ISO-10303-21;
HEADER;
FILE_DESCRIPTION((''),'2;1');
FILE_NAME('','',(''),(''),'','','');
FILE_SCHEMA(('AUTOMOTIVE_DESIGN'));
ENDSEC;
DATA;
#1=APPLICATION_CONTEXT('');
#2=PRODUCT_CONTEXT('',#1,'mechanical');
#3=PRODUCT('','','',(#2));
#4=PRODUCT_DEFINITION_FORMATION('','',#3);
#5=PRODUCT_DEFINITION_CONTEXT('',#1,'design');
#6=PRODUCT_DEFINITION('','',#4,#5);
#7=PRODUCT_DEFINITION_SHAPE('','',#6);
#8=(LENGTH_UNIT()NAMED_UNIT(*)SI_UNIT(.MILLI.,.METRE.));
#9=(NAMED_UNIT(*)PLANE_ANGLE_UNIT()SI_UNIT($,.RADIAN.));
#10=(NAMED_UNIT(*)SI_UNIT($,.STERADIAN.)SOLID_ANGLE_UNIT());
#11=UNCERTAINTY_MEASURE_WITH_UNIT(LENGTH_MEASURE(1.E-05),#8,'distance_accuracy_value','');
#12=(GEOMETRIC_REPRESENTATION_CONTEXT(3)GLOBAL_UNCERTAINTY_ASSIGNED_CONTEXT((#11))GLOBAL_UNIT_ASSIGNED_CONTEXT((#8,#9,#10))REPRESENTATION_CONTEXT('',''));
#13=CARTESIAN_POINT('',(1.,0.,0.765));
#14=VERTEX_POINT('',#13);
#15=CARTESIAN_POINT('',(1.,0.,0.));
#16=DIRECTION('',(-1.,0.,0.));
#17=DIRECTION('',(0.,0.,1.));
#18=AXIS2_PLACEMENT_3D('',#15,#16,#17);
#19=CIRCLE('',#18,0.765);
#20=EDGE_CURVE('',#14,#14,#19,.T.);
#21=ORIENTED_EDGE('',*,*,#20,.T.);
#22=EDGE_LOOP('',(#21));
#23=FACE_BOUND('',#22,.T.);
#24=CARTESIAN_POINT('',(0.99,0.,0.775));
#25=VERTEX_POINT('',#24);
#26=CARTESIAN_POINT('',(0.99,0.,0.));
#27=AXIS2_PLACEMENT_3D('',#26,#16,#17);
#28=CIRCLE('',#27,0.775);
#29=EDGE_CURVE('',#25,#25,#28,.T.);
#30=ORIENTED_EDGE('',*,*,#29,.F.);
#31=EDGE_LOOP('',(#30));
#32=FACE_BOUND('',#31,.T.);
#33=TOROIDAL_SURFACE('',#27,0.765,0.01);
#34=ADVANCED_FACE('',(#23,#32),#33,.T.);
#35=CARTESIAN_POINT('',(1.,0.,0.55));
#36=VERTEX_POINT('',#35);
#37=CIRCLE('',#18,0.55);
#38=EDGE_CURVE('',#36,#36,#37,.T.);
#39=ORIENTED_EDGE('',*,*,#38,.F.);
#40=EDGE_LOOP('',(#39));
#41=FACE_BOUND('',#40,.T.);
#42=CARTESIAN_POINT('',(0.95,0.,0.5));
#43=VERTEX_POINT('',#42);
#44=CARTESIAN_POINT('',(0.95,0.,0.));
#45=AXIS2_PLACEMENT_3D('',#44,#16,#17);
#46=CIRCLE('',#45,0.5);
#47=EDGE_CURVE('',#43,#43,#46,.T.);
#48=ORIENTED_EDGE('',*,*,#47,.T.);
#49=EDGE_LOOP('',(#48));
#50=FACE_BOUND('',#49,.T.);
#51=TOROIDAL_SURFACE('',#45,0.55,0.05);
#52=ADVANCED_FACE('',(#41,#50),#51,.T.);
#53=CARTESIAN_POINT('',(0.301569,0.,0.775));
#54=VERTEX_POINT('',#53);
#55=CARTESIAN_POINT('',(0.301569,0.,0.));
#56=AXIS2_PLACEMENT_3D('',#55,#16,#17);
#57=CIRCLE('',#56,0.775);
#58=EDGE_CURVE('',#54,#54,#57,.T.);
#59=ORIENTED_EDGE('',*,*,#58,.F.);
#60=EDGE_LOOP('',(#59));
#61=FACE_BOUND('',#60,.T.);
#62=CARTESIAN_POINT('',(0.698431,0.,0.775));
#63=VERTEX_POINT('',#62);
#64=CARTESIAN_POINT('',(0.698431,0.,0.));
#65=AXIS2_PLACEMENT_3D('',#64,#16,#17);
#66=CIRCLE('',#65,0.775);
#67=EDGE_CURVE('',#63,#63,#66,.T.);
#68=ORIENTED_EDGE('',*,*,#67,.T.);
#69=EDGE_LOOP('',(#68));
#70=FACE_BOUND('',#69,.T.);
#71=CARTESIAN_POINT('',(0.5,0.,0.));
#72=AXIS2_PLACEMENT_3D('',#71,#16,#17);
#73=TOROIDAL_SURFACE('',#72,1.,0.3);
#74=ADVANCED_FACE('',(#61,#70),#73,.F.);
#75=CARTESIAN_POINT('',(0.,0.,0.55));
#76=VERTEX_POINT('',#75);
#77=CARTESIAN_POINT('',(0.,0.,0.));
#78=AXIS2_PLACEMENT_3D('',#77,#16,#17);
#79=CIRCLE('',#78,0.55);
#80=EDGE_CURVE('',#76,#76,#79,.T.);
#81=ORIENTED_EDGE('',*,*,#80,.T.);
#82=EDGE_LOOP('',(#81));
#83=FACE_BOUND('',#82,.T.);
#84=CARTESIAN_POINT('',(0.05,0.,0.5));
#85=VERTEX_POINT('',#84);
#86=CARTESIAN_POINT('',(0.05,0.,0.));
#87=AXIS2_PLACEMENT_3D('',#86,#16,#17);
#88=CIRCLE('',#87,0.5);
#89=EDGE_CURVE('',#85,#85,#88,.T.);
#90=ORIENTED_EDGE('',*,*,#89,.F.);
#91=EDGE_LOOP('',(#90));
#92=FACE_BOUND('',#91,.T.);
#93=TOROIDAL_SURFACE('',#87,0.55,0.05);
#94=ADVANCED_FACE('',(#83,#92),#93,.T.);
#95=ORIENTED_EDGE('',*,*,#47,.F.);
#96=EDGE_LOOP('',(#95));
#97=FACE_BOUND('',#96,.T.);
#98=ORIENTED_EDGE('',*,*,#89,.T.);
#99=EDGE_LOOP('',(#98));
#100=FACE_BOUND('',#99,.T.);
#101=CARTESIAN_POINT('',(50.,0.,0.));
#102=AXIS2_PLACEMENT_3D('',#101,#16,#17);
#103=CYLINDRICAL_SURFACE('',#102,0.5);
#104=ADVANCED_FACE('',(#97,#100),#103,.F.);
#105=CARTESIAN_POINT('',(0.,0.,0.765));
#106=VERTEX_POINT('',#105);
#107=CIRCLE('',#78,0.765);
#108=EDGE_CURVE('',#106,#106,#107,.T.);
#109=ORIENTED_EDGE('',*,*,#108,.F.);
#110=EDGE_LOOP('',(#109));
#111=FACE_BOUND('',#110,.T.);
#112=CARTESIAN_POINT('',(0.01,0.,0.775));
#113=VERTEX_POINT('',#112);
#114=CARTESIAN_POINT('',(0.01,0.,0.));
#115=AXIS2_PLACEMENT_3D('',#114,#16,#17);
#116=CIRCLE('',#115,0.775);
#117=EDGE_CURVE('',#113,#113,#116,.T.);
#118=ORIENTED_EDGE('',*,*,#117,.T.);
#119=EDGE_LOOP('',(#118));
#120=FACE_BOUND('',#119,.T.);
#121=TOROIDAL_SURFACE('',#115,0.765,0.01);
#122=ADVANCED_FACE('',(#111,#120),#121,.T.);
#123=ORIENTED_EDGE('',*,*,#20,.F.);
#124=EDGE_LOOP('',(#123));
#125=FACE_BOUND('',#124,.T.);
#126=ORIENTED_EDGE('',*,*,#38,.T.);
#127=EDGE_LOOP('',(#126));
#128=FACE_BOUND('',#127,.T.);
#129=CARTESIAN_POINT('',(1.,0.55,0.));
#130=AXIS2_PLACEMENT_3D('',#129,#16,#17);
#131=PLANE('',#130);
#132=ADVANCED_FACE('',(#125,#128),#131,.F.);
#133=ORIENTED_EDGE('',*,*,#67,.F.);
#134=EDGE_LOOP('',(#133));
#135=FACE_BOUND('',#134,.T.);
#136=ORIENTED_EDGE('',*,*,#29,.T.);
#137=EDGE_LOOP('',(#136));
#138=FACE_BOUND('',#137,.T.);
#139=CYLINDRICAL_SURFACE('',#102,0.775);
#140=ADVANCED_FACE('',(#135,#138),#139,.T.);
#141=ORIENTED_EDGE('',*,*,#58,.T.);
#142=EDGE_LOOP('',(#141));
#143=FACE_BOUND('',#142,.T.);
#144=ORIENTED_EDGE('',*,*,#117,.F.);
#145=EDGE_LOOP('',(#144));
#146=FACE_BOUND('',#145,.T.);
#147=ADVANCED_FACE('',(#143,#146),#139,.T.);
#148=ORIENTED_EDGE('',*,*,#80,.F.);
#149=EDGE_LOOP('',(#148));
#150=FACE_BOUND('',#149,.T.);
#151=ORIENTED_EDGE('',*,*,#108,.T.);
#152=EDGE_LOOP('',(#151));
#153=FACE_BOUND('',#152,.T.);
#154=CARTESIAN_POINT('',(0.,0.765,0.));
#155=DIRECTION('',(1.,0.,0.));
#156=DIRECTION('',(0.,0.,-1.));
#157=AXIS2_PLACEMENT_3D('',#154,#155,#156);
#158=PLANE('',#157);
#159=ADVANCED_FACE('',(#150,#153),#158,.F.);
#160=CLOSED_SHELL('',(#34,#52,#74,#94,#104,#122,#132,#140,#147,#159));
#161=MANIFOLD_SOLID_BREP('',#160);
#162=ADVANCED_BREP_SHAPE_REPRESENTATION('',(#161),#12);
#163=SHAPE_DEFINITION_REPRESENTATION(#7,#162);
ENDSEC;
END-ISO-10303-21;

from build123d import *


with BuildPart() as part:
    # Sketch1 → Revolve1 (revolve)
    with BuildSketch(Plane.XY):
        with BuildLine():
            Line((0, 0.765), (0, 0.55))
            ThreePointArc((0, 0.55), (0.014644661, 0.514644661), (0.05, 0.5))
            Line((0.05, 0.5), (0.95, 0.5))
            ThreePointArc((0.95, 0.5), (0.985355339, 0.514644661), (1, 0.55))
            Line((1, 0.55), (1, 0.765))
            ThreePointArc((1, 0.765), (0.997071068, 0.772071068), (0.99, 0.775))
            Line((0.99, 0.775), (0.698431348, 0.775))
            ThreePointArc((0.698431348, 0.775), (0.5, 0.7), (0.301568652, 0.775))
            Line((0.301568652, 0.775), (0.01, 0.775))
            ThreePointArc((0.01, 0.775), (0.002928932, 0.772071068), (0, 0.765))
        make_face()
    revolve(axis=Axis((50, 0, 0), (-1, 0, 0)))


solid = part.part
